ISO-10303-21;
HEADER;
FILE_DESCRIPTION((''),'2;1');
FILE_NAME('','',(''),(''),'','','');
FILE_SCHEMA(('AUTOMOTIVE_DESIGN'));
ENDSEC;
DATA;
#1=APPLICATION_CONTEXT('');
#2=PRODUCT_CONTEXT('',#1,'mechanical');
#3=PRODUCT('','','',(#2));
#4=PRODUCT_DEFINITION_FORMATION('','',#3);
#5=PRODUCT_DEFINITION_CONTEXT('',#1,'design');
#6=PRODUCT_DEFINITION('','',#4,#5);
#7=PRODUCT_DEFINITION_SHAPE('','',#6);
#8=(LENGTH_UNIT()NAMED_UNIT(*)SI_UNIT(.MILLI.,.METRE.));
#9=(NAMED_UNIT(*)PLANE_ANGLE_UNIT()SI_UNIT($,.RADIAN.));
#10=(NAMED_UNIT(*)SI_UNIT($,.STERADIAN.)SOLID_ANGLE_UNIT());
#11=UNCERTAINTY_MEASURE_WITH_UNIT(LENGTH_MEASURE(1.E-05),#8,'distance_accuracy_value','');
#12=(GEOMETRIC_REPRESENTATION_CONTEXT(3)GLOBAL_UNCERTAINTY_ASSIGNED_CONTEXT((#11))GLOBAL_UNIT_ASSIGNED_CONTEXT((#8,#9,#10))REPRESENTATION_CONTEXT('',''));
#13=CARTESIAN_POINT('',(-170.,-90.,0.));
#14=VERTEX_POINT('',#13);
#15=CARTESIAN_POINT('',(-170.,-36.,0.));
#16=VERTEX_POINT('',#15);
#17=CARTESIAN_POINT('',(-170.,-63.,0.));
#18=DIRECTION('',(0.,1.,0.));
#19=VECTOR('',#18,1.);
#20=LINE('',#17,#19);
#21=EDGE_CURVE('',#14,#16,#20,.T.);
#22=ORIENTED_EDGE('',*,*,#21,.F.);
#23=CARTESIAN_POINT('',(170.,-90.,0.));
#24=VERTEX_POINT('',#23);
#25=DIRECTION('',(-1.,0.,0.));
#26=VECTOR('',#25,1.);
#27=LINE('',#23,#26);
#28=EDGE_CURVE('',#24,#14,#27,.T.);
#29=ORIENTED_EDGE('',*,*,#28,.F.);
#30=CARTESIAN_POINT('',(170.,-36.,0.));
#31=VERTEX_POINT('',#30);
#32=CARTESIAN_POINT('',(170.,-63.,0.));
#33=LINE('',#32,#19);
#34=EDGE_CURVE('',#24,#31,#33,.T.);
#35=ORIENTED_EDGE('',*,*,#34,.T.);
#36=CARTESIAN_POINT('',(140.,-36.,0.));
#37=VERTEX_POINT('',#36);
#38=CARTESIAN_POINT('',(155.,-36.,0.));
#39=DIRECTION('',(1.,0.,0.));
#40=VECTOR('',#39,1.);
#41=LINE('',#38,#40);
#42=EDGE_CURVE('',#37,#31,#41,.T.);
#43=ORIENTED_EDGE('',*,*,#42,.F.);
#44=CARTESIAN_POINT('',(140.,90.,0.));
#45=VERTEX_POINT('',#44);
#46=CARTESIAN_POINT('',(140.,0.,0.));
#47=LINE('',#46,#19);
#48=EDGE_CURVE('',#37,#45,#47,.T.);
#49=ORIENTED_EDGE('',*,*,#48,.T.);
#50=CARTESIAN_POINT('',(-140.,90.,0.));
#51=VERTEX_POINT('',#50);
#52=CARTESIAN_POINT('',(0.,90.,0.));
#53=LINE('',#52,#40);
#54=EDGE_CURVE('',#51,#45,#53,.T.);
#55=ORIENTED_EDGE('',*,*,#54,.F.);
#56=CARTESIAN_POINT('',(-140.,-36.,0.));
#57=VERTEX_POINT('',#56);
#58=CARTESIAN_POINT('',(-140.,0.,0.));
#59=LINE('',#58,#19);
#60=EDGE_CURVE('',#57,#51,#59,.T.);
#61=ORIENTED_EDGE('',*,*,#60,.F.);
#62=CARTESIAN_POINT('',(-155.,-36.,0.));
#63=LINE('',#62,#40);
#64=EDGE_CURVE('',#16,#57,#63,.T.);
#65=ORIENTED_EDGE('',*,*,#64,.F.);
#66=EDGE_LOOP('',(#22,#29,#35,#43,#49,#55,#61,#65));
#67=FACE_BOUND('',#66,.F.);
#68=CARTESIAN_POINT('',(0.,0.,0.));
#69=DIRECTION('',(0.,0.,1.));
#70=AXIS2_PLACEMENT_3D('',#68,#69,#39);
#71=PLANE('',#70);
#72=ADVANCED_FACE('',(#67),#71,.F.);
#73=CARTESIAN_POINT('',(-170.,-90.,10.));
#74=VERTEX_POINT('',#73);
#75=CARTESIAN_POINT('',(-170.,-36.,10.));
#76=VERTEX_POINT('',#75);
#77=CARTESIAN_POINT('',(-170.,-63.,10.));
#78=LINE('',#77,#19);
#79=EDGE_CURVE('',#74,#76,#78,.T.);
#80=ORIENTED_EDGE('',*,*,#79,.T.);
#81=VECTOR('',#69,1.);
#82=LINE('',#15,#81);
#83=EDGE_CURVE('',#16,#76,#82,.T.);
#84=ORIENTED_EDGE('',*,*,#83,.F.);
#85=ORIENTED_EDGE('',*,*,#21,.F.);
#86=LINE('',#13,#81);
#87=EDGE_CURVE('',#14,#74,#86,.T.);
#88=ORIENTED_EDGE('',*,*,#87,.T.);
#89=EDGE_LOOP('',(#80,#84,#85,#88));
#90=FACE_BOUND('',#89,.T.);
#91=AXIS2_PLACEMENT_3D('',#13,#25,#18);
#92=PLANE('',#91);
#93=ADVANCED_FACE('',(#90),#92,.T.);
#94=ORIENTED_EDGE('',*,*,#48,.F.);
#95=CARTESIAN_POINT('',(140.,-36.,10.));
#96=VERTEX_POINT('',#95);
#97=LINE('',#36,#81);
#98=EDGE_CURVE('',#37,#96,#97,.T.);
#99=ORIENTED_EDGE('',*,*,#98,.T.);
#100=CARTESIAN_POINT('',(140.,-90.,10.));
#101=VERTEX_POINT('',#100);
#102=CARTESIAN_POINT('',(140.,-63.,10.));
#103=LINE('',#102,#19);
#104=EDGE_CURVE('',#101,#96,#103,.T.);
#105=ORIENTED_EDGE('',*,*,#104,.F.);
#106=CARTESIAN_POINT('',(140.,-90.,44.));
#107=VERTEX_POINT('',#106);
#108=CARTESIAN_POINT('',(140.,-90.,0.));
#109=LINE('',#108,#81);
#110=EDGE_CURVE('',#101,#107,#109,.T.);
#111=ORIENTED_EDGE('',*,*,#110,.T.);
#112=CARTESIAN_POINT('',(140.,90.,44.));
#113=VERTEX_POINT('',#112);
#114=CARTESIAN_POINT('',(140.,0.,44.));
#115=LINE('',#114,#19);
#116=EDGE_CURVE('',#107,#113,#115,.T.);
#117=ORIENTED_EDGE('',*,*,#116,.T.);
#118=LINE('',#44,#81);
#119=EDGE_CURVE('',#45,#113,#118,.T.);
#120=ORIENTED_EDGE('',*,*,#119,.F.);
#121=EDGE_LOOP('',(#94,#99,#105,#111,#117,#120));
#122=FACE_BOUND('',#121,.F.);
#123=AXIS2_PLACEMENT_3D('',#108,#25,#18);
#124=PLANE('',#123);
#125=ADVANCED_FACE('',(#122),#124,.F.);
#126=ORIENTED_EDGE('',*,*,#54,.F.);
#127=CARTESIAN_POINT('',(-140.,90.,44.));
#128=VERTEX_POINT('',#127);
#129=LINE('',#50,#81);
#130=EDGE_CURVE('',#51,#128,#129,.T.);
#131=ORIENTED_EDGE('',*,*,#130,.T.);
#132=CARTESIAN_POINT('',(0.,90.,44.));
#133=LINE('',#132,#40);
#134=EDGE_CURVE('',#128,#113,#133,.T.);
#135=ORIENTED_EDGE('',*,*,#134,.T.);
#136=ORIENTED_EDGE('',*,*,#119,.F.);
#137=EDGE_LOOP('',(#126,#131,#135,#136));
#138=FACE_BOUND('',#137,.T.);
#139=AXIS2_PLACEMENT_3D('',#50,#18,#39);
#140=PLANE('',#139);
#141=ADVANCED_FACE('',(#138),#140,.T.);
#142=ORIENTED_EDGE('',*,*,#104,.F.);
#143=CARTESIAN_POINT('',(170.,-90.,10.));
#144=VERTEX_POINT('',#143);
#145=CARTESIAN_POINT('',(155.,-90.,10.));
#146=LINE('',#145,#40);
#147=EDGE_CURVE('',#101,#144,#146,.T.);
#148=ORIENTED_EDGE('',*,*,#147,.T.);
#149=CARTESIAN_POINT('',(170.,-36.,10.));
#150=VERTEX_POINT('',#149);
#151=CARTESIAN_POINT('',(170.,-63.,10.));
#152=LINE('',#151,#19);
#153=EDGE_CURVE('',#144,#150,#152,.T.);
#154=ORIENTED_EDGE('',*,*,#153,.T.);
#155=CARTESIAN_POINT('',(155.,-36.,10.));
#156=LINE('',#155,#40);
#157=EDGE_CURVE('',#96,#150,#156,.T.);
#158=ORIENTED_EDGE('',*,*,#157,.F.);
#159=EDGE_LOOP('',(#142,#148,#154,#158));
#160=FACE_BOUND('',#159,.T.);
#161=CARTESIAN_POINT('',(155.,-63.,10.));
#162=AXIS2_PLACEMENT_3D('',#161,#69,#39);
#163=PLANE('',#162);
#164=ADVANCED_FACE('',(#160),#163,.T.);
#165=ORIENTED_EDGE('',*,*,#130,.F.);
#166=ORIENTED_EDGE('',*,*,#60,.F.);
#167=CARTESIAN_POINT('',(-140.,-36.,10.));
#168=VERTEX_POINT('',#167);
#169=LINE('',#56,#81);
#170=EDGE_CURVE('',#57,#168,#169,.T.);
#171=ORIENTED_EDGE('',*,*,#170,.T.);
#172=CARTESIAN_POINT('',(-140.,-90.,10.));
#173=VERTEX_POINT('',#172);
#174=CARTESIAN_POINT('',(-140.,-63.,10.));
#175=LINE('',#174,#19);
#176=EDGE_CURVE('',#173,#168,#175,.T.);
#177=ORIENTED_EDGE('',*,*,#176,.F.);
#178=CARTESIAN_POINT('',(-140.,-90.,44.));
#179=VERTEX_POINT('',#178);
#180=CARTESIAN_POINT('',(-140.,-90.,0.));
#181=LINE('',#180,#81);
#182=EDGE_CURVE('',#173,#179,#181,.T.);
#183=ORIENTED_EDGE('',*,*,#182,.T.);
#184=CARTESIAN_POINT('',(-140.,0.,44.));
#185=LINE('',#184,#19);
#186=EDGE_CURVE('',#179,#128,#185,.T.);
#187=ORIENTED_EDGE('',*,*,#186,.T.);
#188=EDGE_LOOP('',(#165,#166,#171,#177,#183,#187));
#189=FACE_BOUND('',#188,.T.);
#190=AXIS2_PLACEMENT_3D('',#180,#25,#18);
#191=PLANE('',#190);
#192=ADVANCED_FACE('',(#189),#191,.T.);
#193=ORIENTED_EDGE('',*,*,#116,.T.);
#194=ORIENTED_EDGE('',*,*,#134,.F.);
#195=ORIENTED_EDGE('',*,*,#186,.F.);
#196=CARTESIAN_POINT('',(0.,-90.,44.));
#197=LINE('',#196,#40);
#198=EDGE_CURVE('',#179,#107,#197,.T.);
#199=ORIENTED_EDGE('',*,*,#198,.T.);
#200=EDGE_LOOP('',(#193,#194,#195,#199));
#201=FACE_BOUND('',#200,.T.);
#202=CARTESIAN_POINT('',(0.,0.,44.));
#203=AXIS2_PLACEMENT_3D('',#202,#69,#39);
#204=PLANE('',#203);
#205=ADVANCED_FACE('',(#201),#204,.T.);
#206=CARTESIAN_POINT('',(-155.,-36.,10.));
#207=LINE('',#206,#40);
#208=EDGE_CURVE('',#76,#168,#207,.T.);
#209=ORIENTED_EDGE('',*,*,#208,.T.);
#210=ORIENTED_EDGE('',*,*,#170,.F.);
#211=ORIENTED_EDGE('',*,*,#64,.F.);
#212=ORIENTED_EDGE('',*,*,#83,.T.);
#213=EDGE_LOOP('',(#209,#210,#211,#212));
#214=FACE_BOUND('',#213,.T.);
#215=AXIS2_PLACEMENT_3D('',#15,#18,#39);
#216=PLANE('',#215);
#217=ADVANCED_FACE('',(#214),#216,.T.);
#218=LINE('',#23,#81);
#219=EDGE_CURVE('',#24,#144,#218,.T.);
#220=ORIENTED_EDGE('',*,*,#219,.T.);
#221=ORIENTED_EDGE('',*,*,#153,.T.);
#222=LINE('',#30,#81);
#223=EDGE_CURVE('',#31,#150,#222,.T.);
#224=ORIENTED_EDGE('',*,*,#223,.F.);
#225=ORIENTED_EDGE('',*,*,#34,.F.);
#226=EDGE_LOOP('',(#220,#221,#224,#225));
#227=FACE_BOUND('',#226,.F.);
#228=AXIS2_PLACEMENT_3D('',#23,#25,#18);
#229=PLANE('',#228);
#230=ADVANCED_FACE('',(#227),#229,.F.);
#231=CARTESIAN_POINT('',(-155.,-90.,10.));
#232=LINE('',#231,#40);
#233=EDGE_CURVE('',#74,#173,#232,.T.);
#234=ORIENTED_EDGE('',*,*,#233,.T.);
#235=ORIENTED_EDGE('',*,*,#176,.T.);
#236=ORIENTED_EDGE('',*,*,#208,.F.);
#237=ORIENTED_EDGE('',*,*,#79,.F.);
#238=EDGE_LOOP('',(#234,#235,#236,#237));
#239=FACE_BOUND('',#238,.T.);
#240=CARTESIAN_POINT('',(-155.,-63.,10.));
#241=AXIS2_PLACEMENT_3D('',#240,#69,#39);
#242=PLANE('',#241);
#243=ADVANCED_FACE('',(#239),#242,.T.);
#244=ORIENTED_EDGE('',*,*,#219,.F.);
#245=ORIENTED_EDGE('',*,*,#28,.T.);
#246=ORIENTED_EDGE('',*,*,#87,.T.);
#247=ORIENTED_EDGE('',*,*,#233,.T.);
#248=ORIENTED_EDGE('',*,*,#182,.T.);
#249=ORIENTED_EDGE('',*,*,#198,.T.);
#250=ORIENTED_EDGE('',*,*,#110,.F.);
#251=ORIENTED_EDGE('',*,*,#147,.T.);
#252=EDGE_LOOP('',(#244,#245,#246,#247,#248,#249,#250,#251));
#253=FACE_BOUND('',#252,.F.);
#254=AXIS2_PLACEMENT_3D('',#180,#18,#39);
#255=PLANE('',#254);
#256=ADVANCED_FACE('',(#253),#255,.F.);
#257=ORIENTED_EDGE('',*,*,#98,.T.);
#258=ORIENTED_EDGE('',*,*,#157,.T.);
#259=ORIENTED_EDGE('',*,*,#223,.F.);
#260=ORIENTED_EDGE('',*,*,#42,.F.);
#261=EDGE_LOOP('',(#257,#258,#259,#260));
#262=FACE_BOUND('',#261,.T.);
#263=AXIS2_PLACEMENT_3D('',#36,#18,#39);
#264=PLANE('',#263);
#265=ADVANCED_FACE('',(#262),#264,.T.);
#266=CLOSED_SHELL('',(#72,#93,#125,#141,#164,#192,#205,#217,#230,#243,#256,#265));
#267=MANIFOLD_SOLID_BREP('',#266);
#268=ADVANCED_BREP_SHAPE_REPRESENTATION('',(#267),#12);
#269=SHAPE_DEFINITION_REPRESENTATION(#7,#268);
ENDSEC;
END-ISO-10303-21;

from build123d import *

# Parameters (mm, degrees)
SKETCH_W     = 280
SKETCH_H     = 180
PAD_DEPTH    = 44
SKETCH001_W  = 30
SKETCH001_H  = 54
PAD001_DEPTH = 10


with BuildPart() as pad:
    # Sketch → Pad (new body)
    with BuildSketch(Plane.XY):
        Rectangle(SKETCH_W, SKETCH_H)
    extrude(amount=PAD_DEPTH)


with BuildPart() as fusion:
    # Sketch001 → Pad001 (new body)
    with BuildSketch(Plane.XY):
        with Locations((155, -63)):
            Rectangle(SKETCH001_W, SKETCH001_H)
        with Locations((-155, -63)):
            Rectangle(SKETCH001_W, SKETCH001_H)
    extrude(amount=PAD001_DEPTH)

    # Fusion: union Pad
    add(pad.part)


solid = fusion.part
